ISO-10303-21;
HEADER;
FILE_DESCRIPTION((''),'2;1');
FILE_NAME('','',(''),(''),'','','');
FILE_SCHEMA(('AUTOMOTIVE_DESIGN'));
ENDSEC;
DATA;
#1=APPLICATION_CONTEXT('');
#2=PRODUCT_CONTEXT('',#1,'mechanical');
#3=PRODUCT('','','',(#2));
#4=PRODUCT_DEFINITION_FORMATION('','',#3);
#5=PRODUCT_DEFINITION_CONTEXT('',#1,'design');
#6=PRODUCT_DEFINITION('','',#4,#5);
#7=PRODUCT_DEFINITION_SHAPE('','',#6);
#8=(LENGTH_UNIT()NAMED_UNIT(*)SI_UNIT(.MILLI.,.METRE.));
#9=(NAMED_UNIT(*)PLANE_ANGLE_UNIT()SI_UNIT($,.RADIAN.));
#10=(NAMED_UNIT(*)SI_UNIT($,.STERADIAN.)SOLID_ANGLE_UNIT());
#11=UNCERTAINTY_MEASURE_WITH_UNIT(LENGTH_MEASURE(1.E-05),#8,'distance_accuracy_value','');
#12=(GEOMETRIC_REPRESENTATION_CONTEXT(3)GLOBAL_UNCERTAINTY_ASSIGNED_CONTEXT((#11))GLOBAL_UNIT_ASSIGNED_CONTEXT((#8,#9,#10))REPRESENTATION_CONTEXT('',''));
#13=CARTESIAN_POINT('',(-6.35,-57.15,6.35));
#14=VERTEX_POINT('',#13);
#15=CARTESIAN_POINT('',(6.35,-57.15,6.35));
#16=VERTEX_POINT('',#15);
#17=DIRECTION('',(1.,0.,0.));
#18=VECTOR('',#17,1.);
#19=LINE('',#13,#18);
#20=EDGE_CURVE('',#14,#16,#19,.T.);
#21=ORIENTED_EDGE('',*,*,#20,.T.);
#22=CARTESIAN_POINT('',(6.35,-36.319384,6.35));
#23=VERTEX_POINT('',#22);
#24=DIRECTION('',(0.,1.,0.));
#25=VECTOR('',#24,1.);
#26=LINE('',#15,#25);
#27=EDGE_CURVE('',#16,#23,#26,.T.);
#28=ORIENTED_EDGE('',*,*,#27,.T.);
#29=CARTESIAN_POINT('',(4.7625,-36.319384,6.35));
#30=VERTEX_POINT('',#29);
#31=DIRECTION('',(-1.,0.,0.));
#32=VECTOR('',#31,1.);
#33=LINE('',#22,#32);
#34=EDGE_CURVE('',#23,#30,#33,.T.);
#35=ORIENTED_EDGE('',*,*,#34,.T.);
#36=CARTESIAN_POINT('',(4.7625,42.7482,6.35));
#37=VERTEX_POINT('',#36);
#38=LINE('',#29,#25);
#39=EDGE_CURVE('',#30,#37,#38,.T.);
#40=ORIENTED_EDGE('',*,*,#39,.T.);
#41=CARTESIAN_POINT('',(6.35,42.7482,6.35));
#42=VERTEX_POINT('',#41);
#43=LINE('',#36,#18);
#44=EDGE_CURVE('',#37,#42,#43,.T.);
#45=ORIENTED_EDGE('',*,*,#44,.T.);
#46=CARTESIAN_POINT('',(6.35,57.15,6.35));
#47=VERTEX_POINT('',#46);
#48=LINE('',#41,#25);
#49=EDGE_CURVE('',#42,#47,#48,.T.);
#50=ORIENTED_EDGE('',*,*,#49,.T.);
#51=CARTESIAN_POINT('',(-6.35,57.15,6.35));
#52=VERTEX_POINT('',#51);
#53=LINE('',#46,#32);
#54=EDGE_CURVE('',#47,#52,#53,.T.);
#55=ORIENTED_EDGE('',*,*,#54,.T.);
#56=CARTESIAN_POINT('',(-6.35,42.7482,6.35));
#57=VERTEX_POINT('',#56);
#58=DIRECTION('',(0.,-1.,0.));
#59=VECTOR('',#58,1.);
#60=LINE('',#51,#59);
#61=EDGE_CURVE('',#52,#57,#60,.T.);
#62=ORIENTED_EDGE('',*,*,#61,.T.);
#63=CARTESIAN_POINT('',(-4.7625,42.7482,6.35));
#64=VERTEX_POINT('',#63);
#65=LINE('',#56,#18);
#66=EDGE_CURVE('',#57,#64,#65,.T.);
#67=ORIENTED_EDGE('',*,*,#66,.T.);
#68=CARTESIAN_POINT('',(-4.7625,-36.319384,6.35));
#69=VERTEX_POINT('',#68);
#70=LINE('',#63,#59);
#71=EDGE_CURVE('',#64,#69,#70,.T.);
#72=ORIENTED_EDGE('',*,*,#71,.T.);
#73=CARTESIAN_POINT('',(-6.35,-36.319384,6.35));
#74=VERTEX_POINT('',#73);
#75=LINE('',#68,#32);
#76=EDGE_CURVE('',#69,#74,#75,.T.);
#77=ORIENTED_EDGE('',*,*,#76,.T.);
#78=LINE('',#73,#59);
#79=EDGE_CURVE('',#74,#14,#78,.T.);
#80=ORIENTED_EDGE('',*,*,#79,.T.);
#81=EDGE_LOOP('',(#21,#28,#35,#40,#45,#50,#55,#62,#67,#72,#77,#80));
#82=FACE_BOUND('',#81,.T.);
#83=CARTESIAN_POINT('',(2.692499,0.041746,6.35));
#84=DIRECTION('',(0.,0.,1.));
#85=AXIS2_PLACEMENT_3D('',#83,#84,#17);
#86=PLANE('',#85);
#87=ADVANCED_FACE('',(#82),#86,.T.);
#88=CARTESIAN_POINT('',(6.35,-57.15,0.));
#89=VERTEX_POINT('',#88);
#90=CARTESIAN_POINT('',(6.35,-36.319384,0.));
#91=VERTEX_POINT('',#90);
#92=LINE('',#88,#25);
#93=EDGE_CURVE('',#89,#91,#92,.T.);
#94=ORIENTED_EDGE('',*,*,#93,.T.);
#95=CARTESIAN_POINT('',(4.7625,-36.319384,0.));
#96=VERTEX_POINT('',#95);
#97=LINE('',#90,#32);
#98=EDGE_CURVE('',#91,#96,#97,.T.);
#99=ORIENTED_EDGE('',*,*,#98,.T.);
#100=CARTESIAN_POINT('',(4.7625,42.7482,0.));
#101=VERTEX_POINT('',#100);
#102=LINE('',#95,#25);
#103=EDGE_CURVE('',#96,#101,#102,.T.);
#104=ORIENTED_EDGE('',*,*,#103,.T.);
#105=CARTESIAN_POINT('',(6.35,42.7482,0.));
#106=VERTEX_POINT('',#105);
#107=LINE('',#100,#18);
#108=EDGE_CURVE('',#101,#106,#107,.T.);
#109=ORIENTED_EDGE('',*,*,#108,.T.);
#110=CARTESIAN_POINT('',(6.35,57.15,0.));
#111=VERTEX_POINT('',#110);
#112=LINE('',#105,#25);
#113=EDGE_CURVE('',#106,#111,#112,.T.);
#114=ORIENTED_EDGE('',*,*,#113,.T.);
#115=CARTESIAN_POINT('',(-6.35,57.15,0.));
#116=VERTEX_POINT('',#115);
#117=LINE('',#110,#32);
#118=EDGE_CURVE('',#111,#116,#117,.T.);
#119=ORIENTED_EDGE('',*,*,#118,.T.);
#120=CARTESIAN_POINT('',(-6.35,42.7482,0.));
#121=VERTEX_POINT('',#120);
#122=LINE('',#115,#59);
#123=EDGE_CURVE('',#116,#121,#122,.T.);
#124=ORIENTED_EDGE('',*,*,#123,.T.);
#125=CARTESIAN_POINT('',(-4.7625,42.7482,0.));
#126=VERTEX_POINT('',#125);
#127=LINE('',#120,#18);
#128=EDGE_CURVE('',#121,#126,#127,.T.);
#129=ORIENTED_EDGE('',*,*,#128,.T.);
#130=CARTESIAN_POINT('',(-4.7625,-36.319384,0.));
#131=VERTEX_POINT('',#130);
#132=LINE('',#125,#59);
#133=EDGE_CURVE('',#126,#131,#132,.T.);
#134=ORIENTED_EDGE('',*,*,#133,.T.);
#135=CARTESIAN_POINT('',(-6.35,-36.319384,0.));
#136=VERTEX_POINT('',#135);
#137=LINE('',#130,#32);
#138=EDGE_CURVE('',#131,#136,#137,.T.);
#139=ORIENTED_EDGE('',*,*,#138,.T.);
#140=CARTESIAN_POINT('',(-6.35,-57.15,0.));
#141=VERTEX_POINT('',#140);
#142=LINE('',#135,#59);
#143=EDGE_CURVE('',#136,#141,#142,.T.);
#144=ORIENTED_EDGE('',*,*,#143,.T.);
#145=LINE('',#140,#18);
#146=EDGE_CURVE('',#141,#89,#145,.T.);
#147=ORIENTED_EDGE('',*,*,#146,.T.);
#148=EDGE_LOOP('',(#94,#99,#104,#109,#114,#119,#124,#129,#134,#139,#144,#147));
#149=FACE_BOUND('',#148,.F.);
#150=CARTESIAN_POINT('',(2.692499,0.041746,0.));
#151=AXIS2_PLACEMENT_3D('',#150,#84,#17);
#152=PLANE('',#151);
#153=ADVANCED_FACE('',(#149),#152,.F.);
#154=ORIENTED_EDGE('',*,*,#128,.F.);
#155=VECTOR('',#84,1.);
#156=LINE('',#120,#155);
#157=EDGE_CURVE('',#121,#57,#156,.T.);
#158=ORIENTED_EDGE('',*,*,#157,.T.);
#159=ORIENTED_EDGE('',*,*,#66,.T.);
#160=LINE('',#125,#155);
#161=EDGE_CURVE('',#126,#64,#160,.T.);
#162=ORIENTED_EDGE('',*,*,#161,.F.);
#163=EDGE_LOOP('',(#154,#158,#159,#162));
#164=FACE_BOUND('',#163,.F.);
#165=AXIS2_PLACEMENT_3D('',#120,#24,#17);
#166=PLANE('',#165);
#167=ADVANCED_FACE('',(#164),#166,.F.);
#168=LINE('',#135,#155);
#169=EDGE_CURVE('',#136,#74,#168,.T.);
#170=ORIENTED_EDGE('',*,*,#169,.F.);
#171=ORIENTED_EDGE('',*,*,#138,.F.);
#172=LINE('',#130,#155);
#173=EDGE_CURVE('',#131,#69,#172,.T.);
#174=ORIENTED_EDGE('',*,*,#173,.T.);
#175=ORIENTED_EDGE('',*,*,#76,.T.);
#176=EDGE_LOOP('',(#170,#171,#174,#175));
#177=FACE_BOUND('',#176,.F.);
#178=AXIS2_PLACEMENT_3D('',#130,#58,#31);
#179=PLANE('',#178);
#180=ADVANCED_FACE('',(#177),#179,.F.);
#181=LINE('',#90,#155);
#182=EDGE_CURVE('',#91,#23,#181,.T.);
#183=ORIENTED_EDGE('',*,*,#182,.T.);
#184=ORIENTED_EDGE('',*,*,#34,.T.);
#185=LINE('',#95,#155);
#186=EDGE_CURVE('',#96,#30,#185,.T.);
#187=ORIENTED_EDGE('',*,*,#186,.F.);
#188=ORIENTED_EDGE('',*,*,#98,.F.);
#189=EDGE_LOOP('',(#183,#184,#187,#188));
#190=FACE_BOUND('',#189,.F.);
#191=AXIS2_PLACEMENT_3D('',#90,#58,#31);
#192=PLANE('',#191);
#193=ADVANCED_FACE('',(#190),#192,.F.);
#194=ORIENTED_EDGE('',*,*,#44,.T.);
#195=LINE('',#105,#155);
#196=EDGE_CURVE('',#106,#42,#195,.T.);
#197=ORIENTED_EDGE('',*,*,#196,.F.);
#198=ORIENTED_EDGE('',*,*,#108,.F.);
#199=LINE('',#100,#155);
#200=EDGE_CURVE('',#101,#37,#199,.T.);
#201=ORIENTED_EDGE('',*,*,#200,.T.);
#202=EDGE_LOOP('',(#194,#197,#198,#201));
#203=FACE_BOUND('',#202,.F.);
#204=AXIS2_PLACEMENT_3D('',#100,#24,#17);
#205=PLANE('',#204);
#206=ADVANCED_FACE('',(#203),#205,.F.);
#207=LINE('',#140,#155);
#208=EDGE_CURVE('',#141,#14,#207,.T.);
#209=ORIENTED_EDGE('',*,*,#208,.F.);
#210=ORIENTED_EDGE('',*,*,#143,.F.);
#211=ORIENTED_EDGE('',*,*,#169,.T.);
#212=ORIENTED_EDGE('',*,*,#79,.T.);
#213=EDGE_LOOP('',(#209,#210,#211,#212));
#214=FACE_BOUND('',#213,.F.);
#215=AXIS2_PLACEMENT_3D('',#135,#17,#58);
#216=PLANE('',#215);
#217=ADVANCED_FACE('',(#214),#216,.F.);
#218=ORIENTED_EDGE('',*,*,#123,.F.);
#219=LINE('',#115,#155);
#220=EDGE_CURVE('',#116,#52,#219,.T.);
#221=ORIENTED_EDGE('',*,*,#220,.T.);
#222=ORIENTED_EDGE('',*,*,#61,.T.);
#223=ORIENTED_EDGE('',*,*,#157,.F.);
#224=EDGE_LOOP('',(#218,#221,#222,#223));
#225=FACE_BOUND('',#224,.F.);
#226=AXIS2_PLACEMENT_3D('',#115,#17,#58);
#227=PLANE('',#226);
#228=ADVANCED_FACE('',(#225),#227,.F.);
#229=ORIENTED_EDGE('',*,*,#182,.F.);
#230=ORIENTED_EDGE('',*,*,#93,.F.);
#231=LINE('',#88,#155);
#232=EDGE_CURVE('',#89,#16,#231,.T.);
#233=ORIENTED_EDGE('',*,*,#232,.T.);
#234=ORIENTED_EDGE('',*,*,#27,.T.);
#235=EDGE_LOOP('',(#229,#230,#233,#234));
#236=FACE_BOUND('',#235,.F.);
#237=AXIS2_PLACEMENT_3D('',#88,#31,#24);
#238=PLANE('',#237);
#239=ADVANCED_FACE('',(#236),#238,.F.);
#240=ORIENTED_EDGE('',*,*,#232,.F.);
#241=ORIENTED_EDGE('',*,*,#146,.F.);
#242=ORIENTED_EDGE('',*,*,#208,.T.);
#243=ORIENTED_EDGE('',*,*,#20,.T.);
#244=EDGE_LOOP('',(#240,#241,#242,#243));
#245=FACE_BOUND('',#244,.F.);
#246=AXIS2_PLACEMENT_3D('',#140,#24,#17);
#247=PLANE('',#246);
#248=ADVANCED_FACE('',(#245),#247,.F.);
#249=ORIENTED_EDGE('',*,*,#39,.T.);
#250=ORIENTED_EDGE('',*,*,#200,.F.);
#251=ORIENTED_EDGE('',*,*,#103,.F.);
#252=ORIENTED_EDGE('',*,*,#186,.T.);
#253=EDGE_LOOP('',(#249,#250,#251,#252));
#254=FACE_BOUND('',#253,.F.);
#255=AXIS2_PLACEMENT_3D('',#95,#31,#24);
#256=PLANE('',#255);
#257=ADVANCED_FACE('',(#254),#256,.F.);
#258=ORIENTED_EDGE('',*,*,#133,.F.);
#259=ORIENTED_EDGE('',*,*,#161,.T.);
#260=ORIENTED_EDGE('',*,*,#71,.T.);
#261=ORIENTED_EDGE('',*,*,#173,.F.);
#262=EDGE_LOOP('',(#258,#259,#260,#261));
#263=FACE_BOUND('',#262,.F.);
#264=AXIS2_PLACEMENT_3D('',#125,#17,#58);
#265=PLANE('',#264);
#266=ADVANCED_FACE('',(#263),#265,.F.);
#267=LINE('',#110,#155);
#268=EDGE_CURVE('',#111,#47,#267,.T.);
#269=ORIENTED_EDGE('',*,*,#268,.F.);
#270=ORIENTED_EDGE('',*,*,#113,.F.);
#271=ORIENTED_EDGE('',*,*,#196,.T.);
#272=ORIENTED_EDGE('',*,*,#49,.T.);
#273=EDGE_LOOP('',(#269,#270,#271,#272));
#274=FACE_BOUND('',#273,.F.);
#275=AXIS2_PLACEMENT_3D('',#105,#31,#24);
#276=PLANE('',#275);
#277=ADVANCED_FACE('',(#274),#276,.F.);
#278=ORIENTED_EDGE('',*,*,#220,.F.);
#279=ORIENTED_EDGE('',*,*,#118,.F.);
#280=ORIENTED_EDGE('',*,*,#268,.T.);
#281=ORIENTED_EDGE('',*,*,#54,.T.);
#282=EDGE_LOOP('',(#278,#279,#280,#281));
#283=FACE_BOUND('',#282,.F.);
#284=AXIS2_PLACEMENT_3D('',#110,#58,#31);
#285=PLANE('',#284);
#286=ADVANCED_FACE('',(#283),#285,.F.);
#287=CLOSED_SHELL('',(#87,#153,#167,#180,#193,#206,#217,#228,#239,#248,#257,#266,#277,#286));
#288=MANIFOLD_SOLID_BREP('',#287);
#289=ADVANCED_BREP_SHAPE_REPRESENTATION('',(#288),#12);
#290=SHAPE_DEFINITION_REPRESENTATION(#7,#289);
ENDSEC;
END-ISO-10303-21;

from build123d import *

# Parameters (mm, degrees)
F1_DEPTH = 6.35


with BuildPart() as f1:
    # F0 (on Top) → F1 (new body)
    with BuildSketch(Plane.XY):
        Polygon((6.35, 42.7482), (6.35, 57.15), (0, 57.15), (0, -57.15), (5.5118, -57.15), (6.35, -57.15), (6.35, -56.3118), (6.35, -36.319384), (4.7625, -36.319384), (4.7625, 21.265617), (4.7625, 42.7482), align=None)
        Polygon((0, -57.15), (0, 57.15), (-6.35, 57.15), (-6.35, 42.7482), (-4.7625, 42.7482), (-4.7625, -36.319384), (-6.35, -36.319384), (-6.35, -56.3118), (-6.35, -57.15), align=None)
    extrude(amount=F1_DEPTH)


solid = f1.part
